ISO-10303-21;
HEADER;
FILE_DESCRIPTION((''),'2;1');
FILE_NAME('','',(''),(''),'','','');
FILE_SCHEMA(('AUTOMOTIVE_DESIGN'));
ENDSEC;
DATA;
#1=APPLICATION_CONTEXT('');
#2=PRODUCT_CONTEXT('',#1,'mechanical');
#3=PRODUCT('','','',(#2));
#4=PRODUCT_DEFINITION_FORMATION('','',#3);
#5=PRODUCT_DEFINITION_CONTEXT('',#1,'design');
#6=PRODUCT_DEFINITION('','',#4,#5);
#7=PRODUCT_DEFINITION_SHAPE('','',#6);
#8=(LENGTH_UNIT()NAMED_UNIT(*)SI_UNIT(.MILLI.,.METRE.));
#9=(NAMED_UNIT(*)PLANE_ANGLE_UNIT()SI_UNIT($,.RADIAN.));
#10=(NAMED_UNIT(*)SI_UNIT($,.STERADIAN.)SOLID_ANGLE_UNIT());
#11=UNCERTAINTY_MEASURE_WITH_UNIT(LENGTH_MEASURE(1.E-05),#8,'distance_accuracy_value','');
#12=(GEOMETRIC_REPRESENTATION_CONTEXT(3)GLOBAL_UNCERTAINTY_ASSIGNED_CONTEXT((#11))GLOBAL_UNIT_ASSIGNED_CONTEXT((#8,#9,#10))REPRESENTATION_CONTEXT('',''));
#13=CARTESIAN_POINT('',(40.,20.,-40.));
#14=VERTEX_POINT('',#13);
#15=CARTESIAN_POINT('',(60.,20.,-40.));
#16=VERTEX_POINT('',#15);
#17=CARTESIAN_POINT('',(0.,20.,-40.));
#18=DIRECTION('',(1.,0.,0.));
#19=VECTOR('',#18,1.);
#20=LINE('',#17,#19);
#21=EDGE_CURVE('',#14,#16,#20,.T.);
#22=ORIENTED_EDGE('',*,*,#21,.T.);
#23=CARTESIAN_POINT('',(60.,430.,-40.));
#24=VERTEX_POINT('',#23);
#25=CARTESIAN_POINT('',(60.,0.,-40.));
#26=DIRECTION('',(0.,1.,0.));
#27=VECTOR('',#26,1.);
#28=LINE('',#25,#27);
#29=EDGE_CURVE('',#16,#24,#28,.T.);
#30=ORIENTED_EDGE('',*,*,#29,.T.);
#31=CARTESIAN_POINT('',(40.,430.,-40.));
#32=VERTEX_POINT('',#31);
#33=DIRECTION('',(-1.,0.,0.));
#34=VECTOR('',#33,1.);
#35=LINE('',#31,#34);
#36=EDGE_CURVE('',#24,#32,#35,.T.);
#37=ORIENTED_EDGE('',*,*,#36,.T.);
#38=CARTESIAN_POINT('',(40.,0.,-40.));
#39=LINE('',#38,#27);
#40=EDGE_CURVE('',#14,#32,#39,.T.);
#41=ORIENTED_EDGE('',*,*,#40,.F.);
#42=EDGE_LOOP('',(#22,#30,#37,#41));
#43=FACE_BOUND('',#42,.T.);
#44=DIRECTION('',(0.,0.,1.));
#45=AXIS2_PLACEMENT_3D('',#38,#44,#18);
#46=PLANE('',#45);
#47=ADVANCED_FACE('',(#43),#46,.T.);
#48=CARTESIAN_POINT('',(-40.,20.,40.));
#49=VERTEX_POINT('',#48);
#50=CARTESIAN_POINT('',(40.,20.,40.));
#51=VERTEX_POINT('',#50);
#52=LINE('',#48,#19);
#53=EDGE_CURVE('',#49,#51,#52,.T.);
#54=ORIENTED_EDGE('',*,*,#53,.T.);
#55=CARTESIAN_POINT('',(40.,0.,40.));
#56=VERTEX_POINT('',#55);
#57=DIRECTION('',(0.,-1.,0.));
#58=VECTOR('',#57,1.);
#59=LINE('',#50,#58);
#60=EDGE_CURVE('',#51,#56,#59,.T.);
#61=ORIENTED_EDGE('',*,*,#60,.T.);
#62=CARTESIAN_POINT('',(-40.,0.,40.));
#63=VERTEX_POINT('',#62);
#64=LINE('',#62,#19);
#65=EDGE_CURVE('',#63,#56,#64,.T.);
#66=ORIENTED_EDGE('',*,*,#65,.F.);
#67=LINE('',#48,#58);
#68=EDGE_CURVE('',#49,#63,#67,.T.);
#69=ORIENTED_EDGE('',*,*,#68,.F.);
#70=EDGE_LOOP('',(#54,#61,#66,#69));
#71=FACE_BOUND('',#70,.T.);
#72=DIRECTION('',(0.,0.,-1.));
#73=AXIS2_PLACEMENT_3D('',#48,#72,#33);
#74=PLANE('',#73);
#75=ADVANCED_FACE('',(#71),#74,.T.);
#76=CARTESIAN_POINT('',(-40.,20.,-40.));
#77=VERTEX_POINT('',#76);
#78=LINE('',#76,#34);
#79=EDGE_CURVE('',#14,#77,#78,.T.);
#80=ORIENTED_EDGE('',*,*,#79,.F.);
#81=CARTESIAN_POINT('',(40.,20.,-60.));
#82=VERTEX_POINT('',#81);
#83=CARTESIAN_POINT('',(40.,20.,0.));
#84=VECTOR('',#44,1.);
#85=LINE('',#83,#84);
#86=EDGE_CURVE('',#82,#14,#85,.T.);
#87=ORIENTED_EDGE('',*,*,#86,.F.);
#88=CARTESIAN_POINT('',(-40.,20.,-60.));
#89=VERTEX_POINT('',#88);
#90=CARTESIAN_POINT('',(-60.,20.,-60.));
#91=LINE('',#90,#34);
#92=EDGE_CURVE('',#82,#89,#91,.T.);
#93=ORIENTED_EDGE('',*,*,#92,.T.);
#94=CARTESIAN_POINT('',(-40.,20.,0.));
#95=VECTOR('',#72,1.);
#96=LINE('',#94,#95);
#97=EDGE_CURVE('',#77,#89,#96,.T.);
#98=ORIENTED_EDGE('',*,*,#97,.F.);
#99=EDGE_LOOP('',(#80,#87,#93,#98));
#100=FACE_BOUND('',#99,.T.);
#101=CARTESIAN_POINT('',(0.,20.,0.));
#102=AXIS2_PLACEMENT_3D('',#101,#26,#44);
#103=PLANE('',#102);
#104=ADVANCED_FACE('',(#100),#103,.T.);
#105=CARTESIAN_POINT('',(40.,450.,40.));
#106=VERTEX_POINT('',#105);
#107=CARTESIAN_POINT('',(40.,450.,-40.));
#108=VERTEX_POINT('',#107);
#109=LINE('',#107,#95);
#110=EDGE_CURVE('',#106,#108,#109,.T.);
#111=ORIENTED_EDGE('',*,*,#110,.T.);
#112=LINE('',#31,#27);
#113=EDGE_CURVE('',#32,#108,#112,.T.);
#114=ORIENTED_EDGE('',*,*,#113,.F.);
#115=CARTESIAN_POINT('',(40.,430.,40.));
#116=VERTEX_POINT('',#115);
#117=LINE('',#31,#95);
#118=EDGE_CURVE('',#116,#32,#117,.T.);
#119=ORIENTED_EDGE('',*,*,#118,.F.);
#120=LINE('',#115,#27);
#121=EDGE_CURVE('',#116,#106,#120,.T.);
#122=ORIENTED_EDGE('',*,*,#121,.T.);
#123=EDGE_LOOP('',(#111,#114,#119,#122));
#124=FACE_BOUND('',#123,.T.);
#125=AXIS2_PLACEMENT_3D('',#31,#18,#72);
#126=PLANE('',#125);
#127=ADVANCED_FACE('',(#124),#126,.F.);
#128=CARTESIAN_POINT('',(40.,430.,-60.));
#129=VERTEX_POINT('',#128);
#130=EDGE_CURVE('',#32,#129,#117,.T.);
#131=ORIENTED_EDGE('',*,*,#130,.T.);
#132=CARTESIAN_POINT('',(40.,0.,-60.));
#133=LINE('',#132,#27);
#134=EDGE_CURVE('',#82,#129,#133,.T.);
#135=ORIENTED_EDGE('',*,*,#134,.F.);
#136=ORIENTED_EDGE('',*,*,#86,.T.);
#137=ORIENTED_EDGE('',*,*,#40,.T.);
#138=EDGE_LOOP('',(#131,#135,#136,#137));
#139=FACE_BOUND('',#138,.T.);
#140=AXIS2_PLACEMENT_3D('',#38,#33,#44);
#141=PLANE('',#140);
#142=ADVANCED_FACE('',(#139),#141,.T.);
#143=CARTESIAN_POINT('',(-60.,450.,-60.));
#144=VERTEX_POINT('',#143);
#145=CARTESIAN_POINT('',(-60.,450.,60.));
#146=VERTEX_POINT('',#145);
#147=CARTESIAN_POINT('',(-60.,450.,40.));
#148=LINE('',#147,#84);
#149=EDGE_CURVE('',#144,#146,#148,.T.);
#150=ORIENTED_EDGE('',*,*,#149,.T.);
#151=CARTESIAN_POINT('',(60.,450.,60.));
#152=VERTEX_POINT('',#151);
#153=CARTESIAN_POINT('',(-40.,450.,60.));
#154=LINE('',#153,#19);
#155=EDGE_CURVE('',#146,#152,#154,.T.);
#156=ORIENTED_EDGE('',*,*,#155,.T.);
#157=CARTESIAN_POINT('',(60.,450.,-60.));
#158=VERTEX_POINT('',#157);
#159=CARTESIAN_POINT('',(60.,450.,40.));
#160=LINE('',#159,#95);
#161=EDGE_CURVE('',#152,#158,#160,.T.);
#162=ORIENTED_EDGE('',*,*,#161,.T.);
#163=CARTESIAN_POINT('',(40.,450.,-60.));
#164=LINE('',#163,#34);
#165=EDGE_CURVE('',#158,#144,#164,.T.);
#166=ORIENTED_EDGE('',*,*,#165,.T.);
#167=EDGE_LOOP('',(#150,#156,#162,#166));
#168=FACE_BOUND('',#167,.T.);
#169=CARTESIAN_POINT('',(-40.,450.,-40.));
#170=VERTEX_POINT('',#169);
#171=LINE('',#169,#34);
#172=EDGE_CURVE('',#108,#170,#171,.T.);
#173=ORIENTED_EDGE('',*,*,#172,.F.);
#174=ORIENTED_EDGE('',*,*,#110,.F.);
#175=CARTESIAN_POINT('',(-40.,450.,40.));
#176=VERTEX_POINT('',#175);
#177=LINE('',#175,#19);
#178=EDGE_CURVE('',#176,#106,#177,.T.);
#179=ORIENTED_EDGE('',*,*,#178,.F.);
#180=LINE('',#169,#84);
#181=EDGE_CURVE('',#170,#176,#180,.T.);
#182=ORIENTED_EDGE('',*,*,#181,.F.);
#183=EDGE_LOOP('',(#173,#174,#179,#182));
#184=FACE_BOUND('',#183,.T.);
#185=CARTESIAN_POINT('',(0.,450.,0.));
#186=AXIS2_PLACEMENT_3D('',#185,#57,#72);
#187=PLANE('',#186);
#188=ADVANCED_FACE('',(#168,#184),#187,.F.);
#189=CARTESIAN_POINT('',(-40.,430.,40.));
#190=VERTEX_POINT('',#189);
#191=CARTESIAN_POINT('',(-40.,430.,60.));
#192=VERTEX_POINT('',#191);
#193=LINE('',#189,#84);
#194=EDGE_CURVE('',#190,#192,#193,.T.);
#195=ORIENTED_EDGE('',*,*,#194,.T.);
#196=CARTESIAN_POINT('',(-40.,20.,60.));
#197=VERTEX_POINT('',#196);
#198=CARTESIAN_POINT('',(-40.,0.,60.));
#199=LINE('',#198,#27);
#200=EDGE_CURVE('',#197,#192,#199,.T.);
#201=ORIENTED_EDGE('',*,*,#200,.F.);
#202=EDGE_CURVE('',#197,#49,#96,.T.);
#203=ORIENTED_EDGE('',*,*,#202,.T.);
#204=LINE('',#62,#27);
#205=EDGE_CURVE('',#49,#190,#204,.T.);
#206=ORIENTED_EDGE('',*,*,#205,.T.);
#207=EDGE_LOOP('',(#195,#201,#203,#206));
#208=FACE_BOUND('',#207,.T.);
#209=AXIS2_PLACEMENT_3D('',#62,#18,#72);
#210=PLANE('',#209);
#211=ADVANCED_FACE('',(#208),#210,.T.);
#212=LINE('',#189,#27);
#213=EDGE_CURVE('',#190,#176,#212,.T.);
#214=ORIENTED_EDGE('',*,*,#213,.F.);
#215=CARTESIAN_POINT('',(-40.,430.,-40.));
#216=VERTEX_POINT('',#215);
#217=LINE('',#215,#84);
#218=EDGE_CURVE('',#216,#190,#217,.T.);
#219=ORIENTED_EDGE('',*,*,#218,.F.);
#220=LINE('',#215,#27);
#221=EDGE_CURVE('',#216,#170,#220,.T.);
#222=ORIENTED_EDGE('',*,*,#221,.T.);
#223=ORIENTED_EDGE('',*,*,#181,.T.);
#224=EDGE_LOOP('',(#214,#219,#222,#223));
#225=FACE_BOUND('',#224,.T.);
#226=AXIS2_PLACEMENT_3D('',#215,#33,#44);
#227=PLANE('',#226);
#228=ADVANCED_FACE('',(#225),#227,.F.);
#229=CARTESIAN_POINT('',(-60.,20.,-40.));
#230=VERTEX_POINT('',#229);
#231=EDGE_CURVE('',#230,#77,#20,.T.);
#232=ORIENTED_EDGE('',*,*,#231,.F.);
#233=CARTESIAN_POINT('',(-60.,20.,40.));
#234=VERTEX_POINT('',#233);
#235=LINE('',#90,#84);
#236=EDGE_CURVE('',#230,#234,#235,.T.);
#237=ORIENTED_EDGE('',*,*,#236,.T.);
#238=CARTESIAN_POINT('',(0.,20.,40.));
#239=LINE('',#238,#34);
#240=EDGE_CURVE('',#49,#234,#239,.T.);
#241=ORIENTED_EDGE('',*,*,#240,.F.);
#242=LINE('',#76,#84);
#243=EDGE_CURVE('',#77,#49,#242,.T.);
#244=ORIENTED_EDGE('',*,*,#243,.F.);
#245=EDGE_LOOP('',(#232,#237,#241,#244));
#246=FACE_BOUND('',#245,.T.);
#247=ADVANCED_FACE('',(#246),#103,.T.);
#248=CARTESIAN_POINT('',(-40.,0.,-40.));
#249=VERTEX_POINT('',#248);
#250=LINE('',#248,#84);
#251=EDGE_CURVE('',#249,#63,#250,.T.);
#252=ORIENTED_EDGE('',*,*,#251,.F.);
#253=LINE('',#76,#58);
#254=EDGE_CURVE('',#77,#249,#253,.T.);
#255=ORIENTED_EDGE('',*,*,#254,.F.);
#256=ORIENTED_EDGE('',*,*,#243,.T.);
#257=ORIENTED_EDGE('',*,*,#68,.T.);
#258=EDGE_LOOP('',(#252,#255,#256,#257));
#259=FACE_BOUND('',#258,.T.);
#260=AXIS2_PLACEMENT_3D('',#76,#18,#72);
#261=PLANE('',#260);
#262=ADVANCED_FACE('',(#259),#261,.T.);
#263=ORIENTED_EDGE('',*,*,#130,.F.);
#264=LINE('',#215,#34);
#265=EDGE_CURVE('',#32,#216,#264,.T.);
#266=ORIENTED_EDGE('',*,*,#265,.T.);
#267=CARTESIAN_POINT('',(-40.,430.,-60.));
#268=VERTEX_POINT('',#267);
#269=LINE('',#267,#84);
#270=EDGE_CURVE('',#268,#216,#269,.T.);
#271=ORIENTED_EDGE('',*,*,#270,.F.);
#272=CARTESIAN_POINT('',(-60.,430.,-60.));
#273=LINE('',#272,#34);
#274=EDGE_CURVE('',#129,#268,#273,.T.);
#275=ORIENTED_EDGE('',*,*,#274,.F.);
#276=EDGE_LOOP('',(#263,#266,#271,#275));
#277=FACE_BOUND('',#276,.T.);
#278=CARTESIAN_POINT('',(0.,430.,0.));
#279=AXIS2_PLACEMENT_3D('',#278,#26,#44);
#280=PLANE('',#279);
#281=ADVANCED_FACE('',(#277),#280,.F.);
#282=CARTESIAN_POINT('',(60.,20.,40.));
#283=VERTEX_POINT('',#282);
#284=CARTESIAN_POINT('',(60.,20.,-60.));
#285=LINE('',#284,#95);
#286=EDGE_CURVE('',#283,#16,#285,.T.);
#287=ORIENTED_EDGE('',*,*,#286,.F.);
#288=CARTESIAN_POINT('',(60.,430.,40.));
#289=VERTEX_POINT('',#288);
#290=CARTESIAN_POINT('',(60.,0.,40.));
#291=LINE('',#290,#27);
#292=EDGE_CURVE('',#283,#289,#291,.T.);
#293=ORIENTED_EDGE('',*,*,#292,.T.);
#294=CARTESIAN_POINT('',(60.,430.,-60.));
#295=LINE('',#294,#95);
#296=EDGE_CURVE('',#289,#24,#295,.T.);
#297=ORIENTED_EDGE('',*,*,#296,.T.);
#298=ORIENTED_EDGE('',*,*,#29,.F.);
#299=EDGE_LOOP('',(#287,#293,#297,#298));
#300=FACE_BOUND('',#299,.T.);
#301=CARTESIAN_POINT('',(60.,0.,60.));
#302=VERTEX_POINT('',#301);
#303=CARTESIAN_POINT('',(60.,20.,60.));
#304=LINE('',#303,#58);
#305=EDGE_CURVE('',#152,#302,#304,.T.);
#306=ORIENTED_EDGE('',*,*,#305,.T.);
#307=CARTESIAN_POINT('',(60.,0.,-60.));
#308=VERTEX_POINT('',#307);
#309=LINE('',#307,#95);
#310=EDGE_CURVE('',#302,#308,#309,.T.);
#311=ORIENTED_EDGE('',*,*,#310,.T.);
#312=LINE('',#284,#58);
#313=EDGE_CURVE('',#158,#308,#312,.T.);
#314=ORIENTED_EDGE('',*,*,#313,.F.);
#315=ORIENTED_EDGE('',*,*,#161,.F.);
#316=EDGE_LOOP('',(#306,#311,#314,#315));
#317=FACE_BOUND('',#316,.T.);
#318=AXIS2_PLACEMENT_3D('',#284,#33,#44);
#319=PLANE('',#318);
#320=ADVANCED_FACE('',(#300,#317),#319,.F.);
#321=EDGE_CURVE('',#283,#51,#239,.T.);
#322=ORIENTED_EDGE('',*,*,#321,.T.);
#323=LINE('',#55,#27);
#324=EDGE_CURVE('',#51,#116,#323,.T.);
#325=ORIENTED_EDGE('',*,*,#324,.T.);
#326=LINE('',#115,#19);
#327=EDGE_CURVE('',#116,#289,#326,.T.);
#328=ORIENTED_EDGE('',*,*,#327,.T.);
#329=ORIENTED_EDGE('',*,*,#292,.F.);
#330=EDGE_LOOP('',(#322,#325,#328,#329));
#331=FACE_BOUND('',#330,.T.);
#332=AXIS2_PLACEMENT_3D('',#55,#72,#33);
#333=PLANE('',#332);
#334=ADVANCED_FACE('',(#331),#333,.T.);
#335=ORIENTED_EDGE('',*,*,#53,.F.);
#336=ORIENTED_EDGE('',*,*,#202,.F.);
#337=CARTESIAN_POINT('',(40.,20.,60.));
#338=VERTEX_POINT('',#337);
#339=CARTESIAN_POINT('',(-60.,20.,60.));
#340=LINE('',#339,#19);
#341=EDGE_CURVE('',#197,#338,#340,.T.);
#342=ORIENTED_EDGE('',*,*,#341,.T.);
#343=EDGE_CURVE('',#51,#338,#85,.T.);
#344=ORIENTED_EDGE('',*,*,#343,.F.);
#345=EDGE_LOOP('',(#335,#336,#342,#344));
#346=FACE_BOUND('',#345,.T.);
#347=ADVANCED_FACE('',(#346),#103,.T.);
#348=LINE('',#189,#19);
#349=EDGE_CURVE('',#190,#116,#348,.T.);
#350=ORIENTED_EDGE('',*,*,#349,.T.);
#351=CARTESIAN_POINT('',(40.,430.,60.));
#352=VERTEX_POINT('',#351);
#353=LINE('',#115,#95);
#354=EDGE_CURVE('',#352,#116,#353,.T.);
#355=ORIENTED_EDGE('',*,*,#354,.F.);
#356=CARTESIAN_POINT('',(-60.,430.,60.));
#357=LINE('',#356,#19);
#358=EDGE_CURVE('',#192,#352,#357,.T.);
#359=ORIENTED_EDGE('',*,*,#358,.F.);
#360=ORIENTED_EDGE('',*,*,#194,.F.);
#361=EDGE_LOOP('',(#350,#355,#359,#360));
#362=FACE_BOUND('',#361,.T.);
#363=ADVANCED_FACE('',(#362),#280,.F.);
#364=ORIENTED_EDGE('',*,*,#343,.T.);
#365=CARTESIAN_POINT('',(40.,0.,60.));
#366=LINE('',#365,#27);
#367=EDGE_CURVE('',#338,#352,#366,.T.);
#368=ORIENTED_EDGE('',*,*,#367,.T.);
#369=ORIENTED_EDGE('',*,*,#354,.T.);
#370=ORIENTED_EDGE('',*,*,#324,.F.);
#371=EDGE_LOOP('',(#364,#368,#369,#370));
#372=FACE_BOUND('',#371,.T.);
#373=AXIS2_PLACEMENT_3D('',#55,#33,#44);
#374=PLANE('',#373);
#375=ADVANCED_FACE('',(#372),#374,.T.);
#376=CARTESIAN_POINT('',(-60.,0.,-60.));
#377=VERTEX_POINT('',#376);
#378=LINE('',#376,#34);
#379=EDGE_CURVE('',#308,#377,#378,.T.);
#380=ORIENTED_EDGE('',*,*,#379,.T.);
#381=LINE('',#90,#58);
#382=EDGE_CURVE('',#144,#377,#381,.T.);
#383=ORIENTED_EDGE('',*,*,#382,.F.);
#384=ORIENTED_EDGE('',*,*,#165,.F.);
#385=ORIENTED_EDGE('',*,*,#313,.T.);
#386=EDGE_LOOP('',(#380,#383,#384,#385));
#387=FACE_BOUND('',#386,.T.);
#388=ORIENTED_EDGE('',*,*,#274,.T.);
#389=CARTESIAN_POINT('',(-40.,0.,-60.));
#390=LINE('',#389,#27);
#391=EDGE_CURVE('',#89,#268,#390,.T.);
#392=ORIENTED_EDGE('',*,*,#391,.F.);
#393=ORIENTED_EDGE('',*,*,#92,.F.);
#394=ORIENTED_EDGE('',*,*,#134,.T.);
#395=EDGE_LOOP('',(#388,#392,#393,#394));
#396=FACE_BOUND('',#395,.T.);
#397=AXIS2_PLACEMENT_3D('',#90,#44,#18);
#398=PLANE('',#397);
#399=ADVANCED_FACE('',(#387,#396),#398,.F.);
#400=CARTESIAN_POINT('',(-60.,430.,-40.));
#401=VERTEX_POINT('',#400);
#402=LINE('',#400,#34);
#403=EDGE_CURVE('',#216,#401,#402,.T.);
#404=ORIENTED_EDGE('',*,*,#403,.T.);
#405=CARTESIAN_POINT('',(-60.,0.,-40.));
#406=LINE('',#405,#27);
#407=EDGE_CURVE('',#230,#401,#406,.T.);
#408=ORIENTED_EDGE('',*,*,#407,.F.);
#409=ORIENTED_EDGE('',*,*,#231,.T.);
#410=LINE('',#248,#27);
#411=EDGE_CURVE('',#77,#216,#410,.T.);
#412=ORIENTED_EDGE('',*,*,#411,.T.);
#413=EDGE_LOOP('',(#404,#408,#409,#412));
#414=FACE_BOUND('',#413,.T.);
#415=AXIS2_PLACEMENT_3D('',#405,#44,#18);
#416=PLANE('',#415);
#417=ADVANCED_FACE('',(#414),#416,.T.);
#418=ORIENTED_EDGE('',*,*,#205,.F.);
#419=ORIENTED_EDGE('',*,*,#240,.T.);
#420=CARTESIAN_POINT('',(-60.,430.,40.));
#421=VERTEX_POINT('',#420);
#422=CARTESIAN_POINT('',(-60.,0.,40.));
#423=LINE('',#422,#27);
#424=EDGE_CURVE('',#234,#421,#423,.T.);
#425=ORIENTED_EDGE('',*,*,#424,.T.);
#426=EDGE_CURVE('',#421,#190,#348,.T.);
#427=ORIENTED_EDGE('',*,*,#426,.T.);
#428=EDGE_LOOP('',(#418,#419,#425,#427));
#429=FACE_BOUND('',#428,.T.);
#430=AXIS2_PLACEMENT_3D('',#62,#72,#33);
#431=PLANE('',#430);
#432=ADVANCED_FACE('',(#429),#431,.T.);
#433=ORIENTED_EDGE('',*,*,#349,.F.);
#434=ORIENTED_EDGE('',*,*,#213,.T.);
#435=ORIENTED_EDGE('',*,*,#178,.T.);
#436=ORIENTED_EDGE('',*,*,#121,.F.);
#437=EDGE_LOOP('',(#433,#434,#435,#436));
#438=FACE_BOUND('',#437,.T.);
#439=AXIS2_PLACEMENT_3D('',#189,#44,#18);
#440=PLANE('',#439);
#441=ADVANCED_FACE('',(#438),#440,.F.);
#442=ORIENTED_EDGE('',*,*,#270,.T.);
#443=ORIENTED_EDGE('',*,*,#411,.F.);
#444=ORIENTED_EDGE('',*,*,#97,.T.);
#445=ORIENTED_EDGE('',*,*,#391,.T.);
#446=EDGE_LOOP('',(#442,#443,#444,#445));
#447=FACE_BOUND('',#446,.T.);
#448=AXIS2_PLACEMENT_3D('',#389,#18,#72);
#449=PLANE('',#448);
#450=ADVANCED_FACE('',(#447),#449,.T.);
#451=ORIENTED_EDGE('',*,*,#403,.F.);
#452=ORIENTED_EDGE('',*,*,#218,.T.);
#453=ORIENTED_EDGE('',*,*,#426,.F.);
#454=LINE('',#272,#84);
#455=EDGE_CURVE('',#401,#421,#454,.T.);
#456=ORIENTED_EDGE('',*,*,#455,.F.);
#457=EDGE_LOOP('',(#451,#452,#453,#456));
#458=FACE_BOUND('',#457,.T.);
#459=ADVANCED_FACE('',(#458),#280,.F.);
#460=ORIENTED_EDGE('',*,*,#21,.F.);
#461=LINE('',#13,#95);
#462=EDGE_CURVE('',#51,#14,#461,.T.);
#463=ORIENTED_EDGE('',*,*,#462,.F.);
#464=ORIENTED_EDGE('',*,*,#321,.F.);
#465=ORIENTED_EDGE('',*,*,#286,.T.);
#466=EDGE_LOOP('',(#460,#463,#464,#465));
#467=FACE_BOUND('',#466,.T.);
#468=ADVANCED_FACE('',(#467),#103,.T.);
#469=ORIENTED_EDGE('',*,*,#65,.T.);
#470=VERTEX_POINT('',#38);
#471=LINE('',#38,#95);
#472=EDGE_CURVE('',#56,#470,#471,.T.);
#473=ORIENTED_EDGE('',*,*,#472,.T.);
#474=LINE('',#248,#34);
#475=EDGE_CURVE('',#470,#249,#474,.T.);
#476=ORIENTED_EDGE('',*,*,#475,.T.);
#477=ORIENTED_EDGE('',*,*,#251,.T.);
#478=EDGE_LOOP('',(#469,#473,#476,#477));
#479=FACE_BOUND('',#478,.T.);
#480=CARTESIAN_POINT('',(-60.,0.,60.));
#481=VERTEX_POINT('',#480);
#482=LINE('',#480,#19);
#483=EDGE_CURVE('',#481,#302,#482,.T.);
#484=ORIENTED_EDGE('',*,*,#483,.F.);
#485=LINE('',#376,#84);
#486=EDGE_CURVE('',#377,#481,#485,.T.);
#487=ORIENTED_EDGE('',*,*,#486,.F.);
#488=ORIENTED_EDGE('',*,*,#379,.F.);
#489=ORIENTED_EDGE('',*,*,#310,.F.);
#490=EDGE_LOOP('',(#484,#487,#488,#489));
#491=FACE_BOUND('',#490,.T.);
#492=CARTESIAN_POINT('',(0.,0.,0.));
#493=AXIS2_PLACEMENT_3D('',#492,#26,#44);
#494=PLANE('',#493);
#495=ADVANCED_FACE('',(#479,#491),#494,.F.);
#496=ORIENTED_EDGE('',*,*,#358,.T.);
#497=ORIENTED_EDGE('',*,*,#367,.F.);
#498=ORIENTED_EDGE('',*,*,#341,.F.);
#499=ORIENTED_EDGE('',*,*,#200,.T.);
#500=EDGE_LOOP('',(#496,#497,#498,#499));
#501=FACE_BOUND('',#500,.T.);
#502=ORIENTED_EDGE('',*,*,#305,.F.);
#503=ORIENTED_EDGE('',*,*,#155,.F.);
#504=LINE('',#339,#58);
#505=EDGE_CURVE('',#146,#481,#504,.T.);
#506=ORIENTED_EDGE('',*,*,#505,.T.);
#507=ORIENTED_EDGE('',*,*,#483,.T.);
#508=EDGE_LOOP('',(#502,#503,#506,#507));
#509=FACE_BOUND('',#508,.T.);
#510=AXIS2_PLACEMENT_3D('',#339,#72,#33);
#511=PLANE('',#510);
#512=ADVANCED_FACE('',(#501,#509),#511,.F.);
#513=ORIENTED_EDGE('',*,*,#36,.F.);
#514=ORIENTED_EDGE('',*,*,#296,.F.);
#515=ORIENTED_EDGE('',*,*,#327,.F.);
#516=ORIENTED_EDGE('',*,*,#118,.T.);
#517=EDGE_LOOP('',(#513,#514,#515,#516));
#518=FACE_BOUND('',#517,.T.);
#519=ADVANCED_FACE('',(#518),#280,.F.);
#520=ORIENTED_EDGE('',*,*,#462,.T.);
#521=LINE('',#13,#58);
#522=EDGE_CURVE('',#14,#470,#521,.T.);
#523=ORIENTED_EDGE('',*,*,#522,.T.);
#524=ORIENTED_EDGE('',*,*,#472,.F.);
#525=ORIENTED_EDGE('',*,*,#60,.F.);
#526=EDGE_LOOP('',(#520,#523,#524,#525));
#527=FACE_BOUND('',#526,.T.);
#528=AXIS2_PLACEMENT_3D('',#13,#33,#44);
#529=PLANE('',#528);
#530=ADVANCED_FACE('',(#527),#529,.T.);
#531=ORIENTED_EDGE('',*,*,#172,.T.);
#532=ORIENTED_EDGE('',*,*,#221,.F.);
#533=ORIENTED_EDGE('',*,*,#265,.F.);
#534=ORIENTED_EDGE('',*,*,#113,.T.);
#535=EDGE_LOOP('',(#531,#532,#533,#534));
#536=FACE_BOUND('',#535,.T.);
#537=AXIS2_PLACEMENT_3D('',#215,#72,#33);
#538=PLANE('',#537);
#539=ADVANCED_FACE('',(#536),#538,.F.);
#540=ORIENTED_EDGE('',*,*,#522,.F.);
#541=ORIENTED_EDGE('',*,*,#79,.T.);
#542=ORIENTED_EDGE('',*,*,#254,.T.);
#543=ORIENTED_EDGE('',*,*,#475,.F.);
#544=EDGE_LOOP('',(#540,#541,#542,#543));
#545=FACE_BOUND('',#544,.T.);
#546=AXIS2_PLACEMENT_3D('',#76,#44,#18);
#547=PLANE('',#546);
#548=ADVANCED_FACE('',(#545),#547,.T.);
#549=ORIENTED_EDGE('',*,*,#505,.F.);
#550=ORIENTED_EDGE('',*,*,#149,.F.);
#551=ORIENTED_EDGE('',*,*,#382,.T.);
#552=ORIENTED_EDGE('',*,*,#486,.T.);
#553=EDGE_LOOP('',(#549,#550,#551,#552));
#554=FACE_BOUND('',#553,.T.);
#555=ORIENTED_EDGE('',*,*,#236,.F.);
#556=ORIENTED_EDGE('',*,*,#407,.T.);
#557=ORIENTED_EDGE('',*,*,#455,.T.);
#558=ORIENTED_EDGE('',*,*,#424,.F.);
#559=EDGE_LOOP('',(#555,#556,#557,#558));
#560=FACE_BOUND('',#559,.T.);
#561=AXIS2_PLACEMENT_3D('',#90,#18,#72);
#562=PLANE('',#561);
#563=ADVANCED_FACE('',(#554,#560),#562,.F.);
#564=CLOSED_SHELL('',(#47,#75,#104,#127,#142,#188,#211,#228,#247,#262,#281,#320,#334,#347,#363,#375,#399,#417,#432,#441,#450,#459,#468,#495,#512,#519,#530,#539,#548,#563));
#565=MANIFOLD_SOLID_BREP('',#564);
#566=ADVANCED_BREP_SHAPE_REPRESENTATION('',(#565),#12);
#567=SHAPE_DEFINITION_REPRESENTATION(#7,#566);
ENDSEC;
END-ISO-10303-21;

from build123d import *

# Parameters (mm, degrees)
SKETCH1_W           = 120
SKETCH1_H           = 120
SKETCH1_W_2         = 80
SKETCH1_H_2         = 80
BOSS_EXTRUDE1_DEPTH = 20
SKETCH2_W           = 20
SKETCH2_H           = 20
BOSS_EXTRUDE2_DEPTH = 450
SKETCH4_W           = 120
SKETCH4_H           = 120
SKETCH4_W_2         = 80
SKETCH4_H_2         = 80
BOSS_EXTRUDE3_DEPTH = 20


with BuildPart() as part:
    # Sketch1 → Boss-Extrude1 (new body)
    with BuildSketch(Plane(origin=(0, 0, 0), x_dir=(1, 0, 0), z_dir=(0, 1, 0))):
        Rectangle(SKETCH1_W, SKETCH1_H)
        Rectangle(SKETCH1_W_2, SKETCH1_H_2, mode=Mode.SUBTRACT)
    extrude(amount=BOSS_EXTRUDE1_DEPTH)

    # Sketch2 → Boss-Extrude2 (add)
    with BuildSketch(Plane(origin=(0, 450, 0), x_dir=(1, 0, 0), z_dir=(0, 1, 0))):
        with Locations((-50, 50)):
            Rectangle(SKETCH2_W, SKETCH2_H)
        with Locations((50, 50)):
            Rectangle(SKETCH2_W, SKETCH2_H)
        with Locations((50, -50)):
            Rectangle(SKETCH2_W, SKETCH2_H)
        with Locations((-50, -50)):
            Rectangle(SKETCH2_W, SKETCH2_H)
    extrude(amount=-BOSS_EXTRUDE2_DEPTH)

    # Sketch4 → Boss-Extrude3 (add)
    with BuildSketch(Plane(origin=(0, 450, 0), x_dir=(1, 0, 0), z_dir=(0, 1, 0))):
        Rectangle(SKETCH4_W, SKETCH4_H)
        Rectangle(SKETCH4_W_2, SKETCH4_H_2, mode=Mode.SUBTRACT)
    extrude(amount=-BOSS_EXTRUDE3_DEPTH)


solid = part.part
